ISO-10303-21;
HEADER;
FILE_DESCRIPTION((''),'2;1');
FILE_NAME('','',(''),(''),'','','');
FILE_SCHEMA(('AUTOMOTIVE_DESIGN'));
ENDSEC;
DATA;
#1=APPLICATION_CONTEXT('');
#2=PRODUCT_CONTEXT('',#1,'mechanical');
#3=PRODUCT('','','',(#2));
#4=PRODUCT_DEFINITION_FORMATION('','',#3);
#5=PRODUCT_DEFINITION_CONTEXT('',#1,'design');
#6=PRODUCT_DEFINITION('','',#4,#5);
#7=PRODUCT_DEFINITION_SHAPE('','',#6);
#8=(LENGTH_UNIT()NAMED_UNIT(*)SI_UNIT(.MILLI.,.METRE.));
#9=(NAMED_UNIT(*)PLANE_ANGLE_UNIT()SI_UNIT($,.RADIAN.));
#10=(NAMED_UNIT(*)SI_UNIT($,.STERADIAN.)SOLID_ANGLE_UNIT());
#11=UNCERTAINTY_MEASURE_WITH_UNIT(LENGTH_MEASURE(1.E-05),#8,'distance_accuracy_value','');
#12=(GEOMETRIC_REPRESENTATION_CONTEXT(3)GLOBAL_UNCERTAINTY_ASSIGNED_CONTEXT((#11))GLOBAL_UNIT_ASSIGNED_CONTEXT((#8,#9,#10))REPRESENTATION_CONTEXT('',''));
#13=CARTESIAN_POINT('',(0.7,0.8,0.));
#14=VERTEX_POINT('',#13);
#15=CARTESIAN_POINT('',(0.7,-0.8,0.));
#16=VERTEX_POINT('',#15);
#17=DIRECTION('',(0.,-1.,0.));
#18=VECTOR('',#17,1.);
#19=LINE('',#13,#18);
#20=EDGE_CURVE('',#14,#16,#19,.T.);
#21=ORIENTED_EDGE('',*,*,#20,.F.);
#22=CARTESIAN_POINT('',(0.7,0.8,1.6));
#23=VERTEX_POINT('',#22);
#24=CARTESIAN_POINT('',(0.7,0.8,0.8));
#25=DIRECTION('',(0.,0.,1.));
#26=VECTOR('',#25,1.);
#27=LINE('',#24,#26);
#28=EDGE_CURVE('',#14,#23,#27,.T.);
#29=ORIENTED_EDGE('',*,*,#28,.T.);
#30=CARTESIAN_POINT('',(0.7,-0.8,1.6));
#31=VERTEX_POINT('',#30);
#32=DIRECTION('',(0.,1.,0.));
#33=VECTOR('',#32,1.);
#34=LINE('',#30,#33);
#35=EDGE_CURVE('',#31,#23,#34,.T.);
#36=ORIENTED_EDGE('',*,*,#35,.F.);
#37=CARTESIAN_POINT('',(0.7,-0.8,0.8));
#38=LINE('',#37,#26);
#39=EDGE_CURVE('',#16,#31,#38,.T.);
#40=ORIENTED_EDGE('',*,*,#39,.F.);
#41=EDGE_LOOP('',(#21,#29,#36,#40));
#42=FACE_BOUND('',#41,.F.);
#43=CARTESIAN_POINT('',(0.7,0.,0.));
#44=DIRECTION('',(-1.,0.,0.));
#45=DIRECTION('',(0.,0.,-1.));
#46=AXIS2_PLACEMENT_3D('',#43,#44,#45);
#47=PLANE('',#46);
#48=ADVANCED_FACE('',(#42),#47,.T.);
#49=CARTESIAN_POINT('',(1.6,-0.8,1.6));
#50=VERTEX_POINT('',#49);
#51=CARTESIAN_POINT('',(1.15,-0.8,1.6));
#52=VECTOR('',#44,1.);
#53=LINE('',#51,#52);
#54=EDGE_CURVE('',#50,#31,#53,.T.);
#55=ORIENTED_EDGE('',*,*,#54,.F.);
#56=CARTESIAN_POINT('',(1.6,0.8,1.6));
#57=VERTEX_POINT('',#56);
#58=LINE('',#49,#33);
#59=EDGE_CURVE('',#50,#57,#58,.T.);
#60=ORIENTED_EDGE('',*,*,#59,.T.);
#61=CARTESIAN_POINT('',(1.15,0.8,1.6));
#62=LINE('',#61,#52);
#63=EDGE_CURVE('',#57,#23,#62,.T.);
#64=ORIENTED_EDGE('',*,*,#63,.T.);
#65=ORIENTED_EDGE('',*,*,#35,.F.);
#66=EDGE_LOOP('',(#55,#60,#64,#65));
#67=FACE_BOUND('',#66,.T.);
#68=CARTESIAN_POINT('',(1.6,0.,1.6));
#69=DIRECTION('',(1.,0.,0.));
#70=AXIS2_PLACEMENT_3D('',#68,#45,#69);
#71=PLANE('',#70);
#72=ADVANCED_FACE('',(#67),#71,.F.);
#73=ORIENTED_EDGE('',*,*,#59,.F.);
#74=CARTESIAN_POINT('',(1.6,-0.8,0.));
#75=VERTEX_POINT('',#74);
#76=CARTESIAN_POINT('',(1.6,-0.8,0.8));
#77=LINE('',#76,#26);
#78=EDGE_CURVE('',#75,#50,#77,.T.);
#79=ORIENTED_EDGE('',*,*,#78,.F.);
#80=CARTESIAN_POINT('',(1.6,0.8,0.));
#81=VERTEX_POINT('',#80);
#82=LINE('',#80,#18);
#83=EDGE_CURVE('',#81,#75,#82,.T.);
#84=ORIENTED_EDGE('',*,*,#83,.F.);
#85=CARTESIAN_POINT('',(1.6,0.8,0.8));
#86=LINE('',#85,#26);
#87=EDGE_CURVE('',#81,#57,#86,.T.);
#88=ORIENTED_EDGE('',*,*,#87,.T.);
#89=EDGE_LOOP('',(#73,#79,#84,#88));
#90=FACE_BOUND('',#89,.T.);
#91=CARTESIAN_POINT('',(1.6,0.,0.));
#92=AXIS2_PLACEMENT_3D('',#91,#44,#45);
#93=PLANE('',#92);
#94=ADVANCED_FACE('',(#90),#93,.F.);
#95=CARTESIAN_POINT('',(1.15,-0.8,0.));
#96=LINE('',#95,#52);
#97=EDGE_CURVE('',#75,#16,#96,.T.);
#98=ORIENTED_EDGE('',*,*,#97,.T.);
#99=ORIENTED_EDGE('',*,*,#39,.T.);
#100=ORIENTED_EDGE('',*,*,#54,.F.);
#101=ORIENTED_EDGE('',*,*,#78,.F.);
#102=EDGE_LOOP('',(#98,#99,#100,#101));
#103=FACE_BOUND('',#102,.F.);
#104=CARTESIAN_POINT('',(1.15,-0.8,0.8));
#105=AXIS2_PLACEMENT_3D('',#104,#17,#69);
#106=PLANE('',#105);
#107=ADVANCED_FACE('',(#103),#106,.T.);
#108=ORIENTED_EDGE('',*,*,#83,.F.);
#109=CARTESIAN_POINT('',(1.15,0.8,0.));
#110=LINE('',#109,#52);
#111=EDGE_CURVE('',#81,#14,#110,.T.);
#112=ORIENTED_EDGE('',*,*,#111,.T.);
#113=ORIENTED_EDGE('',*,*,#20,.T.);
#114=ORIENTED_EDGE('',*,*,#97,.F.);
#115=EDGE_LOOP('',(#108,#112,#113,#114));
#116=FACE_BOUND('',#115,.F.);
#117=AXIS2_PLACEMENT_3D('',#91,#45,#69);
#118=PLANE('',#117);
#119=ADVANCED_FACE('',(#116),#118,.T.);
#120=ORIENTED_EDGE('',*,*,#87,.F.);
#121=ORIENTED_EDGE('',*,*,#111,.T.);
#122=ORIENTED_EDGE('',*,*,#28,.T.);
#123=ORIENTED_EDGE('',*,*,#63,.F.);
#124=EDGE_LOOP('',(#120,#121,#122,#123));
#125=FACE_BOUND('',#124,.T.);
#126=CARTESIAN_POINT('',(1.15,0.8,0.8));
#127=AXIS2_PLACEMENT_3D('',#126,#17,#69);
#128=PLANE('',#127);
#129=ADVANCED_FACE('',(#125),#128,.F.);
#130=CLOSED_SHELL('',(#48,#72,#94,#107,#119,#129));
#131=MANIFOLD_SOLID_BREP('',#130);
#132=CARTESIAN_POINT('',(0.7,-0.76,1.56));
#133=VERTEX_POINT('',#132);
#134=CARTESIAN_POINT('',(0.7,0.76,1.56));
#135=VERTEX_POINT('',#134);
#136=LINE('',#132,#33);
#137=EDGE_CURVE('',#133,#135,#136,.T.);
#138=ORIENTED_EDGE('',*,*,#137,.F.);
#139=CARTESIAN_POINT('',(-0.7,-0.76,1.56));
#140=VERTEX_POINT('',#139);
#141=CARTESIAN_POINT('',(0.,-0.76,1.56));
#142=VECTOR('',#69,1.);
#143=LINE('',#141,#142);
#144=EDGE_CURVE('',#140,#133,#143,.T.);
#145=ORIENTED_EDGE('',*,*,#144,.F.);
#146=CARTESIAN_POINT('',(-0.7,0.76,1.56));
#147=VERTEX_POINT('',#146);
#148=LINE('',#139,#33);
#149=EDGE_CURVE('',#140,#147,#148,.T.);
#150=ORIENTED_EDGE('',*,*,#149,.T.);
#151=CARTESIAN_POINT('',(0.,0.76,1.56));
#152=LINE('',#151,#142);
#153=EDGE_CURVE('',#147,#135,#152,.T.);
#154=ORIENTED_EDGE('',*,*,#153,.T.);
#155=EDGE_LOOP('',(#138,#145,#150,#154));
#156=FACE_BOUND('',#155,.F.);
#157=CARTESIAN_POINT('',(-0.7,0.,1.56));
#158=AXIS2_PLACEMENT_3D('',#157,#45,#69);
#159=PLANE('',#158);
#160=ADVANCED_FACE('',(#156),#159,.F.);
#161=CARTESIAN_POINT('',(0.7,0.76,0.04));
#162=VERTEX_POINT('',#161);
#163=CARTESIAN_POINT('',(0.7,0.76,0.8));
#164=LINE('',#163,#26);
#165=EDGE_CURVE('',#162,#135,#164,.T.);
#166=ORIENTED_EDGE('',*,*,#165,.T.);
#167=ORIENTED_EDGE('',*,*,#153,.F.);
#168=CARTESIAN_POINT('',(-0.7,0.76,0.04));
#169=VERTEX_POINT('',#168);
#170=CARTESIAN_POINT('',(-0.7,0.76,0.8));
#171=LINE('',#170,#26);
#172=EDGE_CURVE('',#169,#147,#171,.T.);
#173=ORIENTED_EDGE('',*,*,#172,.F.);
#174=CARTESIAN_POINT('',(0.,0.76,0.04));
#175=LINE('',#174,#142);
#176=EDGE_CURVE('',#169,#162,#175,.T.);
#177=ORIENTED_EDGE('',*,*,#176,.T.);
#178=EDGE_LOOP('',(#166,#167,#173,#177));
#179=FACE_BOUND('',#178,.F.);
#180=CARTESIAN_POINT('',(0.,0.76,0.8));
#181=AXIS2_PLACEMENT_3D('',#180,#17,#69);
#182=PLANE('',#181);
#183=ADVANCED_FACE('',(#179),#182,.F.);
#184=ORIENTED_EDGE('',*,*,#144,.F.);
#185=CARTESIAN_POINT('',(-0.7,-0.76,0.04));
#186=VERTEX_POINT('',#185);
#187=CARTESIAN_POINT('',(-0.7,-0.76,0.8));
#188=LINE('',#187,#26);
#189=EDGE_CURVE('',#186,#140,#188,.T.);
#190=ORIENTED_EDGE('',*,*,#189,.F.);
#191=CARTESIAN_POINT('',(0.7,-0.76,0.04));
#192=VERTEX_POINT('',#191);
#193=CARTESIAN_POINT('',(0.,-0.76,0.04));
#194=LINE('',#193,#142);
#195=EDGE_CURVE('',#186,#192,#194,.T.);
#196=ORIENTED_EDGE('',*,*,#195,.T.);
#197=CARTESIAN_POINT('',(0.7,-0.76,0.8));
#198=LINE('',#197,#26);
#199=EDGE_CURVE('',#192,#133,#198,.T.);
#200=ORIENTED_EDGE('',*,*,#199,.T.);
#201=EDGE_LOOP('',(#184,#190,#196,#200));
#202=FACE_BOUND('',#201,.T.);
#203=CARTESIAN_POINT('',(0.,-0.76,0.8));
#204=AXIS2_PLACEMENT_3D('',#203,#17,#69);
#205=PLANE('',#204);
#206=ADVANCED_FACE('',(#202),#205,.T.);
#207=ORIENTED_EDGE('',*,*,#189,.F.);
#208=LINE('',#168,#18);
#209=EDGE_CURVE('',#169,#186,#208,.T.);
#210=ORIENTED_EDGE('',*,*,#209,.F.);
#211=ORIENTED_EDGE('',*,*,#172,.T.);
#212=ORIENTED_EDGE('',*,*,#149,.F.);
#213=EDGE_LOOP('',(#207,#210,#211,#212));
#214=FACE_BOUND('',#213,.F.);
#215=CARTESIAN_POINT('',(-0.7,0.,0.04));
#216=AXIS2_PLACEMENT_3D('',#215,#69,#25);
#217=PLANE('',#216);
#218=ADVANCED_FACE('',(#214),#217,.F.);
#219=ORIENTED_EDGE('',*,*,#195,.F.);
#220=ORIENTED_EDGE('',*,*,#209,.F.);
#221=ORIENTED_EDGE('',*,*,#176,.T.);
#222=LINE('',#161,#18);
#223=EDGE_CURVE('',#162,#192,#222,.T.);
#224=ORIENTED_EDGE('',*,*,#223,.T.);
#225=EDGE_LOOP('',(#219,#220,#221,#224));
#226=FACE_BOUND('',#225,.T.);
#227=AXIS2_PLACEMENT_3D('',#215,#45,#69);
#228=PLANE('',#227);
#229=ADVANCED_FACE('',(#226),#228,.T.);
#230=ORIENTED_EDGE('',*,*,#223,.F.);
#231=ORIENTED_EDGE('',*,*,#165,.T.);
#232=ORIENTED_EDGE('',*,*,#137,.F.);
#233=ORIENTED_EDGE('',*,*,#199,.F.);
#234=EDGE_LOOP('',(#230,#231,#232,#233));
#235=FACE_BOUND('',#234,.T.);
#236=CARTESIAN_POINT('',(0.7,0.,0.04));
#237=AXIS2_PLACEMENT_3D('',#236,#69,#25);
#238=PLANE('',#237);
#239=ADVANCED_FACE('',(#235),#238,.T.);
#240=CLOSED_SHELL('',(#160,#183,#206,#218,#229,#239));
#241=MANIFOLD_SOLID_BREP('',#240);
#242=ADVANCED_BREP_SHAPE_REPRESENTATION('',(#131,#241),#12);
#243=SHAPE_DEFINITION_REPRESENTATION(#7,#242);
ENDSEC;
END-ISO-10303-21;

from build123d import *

# Parameters (mm, degrees)
SKETCH001_W  = 1.4
SKETCH001_H  = 1.52
PAD001_DEPTH = 0.76
SKETCH_W     = 0.9
SKETCH_H     = 1.6
PAD_DEPTH    = 0.8


with BuildPart() as capacitor_body:
    # Sketch001 → Pad001 (new body, symmetric)
    with BuildSketch(Plane.XZ):
        with Locations((0, 0.8)):
            Rectangle(SKETCH001_W, SKETCH001_H)
    extrude(amount=PAD001_DEPTH, both=True)


with BuildPart() as terminator_left:
    # Sketch → Pad (new body, symmetric)
    with BuildSketch(Plane.XZ):
        with Locations((-1.15, 0.8)):
            Rectangle(SKETCH_W, SKETCH_H)
    extrude(amount=PAD_DEPTH, both=True)


with BuildPart() as terminator_right:
    # mirror: instance of Terminator Left
    add(terminator_left.part.mirror(Plane(origin=(0, 0, 0), x_dir=(0, -1, 0), z_dir=(1, 0, 0))))


solid = Compound([capacitor_body.part, terminator_right.part])
